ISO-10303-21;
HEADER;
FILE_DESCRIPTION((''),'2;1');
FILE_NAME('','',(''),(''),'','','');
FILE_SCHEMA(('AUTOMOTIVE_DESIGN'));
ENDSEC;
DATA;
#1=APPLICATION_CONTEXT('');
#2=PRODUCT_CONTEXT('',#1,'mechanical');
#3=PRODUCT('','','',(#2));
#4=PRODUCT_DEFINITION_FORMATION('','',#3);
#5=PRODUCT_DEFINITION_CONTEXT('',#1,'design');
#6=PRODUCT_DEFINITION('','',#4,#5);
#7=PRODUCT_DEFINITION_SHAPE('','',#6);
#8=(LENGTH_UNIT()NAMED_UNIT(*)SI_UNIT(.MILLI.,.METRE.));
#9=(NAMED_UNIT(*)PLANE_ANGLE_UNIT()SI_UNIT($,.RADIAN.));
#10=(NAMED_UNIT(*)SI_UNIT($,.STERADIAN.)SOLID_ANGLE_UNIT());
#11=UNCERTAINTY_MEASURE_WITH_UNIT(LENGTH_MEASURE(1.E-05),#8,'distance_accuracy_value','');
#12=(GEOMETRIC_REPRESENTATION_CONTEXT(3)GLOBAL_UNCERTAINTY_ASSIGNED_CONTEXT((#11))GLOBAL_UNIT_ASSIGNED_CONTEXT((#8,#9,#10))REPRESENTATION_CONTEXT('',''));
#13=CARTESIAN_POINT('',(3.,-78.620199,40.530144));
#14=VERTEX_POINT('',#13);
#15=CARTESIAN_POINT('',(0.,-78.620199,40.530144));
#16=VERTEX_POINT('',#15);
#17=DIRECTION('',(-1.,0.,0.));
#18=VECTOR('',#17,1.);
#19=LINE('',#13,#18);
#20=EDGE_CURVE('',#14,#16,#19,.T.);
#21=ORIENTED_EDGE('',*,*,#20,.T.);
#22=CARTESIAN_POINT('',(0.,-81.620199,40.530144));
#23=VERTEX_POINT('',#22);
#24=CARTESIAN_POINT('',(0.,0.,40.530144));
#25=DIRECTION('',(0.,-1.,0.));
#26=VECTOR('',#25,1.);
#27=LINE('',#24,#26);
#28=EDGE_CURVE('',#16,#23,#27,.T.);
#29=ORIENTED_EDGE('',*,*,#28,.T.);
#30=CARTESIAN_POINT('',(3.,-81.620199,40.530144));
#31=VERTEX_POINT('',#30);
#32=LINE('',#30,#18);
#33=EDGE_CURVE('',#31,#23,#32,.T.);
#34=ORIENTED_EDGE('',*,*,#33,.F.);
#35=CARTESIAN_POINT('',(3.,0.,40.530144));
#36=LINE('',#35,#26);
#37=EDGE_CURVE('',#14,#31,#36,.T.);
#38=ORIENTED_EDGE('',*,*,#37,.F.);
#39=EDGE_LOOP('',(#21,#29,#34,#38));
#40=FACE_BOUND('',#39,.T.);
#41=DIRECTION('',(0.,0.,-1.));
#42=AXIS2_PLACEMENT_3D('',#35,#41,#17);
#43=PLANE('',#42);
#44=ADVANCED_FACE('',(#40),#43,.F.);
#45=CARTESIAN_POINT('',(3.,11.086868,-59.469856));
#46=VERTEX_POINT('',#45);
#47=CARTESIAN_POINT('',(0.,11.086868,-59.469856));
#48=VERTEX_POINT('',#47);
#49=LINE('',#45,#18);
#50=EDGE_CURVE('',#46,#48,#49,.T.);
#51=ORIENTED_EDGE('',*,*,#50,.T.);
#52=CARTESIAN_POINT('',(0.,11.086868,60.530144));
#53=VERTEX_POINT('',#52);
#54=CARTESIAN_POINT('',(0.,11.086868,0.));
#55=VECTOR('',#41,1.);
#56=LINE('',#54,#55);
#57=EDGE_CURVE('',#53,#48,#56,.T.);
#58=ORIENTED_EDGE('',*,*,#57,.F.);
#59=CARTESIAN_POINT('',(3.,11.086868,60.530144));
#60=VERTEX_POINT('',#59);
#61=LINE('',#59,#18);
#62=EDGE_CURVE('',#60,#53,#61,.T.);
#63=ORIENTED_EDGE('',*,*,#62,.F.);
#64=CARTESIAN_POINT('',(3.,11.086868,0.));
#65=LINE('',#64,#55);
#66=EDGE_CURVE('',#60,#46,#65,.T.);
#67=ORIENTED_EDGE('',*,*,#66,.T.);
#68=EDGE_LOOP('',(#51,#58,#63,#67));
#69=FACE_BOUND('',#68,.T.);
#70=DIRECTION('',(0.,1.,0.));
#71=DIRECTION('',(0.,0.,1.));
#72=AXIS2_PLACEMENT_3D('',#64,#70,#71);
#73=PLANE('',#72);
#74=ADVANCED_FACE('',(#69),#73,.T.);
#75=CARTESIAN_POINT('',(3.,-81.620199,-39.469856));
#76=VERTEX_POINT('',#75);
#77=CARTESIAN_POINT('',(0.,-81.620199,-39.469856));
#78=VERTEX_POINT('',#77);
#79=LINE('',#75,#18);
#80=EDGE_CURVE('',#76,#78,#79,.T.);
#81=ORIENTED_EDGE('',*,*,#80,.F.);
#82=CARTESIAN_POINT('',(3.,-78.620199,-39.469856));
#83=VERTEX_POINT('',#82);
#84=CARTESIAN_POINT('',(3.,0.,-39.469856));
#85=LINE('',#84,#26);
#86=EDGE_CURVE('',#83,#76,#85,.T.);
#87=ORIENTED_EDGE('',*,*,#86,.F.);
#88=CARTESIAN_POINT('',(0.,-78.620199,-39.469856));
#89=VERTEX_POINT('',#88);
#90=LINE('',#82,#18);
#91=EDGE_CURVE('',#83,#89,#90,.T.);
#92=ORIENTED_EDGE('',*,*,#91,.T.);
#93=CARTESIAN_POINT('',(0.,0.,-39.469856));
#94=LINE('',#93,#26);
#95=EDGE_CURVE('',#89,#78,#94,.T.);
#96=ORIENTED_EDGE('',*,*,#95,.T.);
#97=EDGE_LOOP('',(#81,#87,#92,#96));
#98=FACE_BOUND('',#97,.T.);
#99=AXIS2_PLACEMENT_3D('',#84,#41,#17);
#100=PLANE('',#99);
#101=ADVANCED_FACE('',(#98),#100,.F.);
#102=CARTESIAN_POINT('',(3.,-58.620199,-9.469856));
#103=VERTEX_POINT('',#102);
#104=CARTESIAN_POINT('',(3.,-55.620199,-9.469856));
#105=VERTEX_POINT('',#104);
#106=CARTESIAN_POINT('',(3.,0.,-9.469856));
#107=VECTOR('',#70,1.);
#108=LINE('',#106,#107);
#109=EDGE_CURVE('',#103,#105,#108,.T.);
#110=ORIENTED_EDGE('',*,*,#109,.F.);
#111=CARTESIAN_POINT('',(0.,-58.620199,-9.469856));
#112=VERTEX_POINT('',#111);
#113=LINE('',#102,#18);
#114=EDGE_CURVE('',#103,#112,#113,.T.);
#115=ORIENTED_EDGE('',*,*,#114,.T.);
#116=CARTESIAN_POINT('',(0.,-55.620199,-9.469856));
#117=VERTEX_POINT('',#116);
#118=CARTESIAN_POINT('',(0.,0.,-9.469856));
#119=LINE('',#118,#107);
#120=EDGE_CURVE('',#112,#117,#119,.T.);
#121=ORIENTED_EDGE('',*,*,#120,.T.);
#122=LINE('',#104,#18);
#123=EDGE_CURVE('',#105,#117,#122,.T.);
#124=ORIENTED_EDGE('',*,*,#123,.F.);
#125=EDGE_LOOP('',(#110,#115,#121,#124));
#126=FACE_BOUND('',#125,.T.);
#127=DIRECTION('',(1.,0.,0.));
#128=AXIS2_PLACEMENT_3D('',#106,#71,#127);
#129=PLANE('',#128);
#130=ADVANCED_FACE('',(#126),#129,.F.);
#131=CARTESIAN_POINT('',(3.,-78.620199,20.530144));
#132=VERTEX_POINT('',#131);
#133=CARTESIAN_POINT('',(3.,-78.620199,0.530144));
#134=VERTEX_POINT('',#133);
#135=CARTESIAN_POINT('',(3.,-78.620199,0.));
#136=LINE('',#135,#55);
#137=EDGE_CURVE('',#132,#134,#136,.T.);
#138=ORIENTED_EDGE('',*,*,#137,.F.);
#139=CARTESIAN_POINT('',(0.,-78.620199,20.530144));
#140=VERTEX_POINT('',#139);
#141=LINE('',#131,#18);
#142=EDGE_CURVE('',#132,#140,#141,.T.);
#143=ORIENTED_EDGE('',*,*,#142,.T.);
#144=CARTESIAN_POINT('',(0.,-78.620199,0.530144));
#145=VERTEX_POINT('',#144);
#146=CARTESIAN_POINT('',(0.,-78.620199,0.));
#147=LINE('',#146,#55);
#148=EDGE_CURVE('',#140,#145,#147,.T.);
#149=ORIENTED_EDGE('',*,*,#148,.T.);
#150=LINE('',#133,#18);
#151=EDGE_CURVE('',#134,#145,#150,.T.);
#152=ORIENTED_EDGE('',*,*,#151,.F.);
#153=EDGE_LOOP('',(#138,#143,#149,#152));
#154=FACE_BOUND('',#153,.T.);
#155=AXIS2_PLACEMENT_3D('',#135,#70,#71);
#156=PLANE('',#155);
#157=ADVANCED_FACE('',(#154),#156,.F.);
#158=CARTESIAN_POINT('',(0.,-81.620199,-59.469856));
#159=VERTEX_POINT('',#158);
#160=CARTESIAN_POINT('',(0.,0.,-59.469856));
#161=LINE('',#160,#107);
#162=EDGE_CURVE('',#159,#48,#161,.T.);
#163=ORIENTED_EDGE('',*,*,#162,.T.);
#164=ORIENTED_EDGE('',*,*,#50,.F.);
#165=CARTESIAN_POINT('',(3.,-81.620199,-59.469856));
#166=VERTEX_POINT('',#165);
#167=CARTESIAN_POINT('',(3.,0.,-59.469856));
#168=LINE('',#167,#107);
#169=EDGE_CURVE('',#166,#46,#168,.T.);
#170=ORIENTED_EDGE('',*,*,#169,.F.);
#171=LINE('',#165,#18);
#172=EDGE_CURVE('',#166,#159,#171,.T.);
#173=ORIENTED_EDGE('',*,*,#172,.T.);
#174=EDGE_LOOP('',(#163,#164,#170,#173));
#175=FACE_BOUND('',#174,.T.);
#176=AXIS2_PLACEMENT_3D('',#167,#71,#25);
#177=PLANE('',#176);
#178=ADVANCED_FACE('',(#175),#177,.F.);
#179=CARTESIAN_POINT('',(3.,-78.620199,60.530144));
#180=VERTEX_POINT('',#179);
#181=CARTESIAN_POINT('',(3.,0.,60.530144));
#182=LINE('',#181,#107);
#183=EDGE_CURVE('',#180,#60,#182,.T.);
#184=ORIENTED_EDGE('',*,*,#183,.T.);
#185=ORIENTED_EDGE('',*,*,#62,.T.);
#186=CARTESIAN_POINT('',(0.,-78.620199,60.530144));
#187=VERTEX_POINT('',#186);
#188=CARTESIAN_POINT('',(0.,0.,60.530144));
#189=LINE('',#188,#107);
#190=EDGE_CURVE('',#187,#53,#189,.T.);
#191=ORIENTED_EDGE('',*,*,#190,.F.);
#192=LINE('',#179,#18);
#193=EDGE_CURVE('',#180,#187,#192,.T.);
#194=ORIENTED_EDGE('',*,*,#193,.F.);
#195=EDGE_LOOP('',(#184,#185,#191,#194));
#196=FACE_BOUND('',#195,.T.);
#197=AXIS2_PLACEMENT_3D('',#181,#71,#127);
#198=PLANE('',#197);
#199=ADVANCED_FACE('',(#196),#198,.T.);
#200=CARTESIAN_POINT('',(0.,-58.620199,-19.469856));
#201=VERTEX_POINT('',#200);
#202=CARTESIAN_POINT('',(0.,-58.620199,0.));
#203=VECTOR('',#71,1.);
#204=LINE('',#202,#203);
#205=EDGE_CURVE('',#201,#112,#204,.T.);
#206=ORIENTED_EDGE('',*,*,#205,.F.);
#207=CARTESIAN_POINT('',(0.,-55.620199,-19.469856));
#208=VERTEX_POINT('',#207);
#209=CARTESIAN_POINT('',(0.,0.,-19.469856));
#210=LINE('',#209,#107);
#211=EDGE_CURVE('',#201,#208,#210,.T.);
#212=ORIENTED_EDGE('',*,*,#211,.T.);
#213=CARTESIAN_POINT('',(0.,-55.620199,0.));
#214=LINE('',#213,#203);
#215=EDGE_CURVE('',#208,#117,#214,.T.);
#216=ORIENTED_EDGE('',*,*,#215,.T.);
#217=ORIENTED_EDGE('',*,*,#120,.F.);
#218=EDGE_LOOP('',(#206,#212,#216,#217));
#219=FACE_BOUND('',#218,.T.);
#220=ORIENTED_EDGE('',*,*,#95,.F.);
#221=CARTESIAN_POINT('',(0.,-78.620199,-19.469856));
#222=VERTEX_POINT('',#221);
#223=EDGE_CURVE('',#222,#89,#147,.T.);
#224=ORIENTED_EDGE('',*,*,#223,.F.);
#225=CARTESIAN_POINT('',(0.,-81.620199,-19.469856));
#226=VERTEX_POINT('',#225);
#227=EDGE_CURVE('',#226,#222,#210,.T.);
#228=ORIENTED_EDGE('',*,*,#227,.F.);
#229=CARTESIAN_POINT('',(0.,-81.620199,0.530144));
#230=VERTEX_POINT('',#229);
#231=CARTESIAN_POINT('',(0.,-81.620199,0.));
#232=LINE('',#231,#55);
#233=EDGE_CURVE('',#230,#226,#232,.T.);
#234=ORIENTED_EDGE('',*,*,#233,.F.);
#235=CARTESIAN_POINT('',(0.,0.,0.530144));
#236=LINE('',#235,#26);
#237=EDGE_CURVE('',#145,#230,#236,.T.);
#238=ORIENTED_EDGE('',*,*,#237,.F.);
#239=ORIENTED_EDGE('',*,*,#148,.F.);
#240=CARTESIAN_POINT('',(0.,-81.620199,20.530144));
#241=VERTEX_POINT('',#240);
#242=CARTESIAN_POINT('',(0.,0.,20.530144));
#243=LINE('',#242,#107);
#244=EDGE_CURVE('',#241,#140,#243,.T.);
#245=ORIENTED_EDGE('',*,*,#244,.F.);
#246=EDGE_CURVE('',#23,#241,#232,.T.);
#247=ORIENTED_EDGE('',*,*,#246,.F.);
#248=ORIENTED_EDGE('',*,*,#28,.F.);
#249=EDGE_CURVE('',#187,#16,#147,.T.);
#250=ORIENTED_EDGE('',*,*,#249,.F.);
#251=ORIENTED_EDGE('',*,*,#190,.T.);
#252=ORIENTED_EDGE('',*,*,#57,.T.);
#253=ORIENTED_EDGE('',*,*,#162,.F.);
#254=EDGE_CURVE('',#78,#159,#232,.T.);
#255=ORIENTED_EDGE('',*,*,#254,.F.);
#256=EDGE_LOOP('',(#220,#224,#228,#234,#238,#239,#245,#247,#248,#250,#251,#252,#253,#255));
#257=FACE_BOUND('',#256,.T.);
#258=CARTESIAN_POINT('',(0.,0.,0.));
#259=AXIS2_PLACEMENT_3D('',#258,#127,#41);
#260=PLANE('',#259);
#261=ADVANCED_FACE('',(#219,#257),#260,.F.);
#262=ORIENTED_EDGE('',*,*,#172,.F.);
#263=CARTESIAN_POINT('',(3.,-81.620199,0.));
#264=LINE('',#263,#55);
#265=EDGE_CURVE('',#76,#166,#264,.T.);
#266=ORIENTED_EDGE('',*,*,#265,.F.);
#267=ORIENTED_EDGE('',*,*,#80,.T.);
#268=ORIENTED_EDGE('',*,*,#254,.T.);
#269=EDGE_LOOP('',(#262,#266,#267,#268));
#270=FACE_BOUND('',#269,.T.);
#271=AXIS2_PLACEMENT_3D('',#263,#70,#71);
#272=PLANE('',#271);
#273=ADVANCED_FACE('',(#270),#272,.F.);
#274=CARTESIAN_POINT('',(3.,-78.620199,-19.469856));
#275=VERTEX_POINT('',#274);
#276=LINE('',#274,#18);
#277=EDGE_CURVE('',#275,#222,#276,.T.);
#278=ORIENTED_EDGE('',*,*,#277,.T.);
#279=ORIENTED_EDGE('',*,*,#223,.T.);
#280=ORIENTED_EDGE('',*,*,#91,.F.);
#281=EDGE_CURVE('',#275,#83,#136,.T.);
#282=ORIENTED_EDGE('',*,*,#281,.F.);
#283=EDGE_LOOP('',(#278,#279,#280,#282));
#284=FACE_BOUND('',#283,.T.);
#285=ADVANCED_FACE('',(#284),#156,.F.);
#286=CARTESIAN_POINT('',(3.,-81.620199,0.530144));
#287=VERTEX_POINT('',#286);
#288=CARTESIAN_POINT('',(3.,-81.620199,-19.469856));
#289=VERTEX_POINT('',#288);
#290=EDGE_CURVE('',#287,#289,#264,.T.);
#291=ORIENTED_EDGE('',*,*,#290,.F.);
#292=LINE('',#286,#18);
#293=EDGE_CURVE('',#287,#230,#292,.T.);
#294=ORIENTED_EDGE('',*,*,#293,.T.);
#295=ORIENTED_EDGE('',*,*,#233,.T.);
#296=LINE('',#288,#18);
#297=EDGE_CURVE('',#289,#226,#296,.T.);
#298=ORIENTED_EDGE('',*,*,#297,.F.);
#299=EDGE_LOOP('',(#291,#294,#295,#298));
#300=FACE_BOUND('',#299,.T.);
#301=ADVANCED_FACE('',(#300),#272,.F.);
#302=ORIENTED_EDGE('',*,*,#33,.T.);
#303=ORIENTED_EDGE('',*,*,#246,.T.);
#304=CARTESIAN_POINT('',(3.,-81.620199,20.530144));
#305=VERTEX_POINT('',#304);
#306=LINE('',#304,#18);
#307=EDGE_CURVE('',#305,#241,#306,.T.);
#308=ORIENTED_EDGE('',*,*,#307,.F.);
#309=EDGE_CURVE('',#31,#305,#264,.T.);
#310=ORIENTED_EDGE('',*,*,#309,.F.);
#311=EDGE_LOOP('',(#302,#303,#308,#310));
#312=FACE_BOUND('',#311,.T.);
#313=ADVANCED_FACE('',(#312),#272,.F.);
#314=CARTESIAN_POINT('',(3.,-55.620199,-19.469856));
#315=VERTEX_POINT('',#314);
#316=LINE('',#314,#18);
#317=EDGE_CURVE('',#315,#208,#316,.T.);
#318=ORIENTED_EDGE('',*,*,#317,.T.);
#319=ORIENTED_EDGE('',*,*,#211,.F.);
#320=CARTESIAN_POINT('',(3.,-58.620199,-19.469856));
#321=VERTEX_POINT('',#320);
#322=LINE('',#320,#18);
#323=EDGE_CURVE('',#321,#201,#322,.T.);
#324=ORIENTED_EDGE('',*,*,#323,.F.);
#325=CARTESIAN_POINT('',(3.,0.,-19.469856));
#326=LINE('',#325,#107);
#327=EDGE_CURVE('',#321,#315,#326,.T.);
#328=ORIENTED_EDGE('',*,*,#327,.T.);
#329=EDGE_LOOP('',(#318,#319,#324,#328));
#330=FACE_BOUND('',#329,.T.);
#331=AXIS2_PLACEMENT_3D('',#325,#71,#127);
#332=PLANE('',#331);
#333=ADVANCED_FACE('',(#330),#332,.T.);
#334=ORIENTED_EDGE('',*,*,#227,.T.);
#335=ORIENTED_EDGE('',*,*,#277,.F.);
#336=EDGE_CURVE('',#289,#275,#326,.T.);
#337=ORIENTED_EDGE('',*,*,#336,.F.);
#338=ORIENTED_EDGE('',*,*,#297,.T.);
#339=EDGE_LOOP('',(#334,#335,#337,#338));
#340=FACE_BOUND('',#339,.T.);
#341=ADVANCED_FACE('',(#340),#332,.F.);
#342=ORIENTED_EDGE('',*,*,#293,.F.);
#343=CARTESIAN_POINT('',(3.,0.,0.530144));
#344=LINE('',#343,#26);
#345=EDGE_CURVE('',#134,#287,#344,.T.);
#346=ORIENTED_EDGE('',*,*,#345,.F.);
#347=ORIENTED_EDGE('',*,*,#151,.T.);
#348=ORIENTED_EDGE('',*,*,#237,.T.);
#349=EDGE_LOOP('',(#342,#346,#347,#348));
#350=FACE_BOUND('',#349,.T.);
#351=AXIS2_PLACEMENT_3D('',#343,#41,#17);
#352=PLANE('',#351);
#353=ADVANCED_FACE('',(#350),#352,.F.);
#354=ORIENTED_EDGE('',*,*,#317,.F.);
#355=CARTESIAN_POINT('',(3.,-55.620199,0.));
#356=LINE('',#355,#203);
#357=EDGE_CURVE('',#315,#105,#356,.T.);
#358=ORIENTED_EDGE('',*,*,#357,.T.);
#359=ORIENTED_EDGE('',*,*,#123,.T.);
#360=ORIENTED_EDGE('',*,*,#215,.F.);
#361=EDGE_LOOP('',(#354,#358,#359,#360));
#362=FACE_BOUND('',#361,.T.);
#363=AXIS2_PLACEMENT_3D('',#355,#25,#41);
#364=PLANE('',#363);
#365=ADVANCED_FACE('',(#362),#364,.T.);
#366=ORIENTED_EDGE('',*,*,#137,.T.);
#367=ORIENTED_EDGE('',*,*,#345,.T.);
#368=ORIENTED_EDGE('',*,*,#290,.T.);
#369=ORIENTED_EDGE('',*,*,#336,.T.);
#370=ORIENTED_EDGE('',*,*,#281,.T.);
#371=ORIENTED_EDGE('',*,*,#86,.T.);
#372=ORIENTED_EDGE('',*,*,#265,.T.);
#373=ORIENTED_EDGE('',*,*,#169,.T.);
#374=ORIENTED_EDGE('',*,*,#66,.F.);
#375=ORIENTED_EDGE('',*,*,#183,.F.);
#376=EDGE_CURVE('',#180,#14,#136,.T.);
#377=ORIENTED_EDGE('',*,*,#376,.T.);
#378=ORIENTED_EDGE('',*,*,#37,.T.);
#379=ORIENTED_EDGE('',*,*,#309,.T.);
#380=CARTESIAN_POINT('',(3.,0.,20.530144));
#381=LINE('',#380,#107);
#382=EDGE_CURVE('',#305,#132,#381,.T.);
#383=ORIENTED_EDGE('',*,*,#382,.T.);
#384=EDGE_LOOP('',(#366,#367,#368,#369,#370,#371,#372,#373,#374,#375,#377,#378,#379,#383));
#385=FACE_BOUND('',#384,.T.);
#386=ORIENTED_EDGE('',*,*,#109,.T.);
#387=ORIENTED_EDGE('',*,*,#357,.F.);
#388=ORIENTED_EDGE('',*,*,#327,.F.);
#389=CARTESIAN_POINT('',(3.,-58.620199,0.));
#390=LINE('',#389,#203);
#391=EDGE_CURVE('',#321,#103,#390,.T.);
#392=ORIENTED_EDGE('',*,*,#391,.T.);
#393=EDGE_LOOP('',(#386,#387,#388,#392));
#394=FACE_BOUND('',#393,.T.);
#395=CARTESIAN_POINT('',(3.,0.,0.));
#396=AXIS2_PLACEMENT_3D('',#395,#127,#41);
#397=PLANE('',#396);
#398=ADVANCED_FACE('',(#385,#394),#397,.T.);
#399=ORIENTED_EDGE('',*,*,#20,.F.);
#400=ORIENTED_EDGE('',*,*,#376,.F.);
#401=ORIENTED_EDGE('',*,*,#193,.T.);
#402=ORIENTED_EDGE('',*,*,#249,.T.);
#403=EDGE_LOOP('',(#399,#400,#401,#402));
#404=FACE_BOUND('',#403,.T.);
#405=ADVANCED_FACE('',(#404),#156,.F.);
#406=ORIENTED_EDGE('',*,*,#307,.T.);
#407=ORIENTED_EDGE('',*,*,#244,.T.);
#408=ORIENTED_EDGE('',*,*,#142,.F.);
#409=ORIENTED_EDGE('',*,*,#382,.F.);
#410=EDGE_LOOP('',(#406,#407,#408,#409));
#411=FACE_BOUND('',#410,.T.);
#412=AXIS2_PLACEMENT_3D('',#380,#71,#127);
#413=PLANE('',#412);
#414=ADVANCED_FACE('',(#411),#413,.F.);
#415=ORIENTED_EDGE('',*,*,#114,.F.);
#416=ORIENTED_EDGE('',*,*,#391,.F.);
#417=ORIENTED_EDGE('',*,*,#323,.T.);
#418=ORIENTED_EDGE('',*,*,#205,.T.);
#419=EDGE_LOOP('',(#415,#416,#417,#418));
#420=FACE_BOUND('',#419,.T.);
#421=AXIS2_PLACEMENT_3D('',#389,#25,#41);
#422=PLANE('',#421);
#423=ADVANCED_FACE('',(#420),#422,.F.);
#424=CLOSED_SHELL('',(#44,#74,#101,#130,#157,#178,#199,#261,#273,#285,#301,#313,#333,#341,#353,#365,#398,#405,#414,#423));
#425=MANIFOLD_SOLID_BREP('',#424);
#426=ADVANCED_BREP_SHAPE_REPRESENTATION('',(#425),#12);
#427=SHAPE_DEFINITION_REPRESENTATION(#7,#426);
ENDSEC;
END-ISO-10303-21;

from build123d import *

# Parameters (mm, degrees)
CROQUIS1_W              = 10
CROQUIS1_H              = 3
SALIENTE_EXTRUIR1_DEPTH = 3


with BuildPart() as part:
    # Croquis1 → Saliente-Extruir1 (new body)
    with BuildSketch(Plane(origin=(0, 0, 0), x_dir=(0, 0, -1), z_dir=(1, 0, 0))):
        Polygon((-60.530143817, -78.620199336), (-40.530143817, -78.620199336), (-40.530143817, -81.620199336), (-20.530143817, -81.620199336), (-20.530143817, -78.620199336), (-0.530143817, -78.620199336), (-0.530143817, -81.620199336), (19.469856183, -81.620199336), (19.469856183, -78.620199336), (39.469856183, -78.620199336), (39.469856183, -81.620199336), (59.469856183, -81.620199336), (59.469856183, 11.086867688), (-60.530143817, 11.086867688), align=None)
        with Locations((14.469856183, -57.120199336)):
            Rectangle(CROQUIS1_W, CROQUIS1_H, mode=Mode.SUBTRACT)
    extrude(amount=SALIENTE_EXTRUIR1_DEPTH)


solid = part.part
